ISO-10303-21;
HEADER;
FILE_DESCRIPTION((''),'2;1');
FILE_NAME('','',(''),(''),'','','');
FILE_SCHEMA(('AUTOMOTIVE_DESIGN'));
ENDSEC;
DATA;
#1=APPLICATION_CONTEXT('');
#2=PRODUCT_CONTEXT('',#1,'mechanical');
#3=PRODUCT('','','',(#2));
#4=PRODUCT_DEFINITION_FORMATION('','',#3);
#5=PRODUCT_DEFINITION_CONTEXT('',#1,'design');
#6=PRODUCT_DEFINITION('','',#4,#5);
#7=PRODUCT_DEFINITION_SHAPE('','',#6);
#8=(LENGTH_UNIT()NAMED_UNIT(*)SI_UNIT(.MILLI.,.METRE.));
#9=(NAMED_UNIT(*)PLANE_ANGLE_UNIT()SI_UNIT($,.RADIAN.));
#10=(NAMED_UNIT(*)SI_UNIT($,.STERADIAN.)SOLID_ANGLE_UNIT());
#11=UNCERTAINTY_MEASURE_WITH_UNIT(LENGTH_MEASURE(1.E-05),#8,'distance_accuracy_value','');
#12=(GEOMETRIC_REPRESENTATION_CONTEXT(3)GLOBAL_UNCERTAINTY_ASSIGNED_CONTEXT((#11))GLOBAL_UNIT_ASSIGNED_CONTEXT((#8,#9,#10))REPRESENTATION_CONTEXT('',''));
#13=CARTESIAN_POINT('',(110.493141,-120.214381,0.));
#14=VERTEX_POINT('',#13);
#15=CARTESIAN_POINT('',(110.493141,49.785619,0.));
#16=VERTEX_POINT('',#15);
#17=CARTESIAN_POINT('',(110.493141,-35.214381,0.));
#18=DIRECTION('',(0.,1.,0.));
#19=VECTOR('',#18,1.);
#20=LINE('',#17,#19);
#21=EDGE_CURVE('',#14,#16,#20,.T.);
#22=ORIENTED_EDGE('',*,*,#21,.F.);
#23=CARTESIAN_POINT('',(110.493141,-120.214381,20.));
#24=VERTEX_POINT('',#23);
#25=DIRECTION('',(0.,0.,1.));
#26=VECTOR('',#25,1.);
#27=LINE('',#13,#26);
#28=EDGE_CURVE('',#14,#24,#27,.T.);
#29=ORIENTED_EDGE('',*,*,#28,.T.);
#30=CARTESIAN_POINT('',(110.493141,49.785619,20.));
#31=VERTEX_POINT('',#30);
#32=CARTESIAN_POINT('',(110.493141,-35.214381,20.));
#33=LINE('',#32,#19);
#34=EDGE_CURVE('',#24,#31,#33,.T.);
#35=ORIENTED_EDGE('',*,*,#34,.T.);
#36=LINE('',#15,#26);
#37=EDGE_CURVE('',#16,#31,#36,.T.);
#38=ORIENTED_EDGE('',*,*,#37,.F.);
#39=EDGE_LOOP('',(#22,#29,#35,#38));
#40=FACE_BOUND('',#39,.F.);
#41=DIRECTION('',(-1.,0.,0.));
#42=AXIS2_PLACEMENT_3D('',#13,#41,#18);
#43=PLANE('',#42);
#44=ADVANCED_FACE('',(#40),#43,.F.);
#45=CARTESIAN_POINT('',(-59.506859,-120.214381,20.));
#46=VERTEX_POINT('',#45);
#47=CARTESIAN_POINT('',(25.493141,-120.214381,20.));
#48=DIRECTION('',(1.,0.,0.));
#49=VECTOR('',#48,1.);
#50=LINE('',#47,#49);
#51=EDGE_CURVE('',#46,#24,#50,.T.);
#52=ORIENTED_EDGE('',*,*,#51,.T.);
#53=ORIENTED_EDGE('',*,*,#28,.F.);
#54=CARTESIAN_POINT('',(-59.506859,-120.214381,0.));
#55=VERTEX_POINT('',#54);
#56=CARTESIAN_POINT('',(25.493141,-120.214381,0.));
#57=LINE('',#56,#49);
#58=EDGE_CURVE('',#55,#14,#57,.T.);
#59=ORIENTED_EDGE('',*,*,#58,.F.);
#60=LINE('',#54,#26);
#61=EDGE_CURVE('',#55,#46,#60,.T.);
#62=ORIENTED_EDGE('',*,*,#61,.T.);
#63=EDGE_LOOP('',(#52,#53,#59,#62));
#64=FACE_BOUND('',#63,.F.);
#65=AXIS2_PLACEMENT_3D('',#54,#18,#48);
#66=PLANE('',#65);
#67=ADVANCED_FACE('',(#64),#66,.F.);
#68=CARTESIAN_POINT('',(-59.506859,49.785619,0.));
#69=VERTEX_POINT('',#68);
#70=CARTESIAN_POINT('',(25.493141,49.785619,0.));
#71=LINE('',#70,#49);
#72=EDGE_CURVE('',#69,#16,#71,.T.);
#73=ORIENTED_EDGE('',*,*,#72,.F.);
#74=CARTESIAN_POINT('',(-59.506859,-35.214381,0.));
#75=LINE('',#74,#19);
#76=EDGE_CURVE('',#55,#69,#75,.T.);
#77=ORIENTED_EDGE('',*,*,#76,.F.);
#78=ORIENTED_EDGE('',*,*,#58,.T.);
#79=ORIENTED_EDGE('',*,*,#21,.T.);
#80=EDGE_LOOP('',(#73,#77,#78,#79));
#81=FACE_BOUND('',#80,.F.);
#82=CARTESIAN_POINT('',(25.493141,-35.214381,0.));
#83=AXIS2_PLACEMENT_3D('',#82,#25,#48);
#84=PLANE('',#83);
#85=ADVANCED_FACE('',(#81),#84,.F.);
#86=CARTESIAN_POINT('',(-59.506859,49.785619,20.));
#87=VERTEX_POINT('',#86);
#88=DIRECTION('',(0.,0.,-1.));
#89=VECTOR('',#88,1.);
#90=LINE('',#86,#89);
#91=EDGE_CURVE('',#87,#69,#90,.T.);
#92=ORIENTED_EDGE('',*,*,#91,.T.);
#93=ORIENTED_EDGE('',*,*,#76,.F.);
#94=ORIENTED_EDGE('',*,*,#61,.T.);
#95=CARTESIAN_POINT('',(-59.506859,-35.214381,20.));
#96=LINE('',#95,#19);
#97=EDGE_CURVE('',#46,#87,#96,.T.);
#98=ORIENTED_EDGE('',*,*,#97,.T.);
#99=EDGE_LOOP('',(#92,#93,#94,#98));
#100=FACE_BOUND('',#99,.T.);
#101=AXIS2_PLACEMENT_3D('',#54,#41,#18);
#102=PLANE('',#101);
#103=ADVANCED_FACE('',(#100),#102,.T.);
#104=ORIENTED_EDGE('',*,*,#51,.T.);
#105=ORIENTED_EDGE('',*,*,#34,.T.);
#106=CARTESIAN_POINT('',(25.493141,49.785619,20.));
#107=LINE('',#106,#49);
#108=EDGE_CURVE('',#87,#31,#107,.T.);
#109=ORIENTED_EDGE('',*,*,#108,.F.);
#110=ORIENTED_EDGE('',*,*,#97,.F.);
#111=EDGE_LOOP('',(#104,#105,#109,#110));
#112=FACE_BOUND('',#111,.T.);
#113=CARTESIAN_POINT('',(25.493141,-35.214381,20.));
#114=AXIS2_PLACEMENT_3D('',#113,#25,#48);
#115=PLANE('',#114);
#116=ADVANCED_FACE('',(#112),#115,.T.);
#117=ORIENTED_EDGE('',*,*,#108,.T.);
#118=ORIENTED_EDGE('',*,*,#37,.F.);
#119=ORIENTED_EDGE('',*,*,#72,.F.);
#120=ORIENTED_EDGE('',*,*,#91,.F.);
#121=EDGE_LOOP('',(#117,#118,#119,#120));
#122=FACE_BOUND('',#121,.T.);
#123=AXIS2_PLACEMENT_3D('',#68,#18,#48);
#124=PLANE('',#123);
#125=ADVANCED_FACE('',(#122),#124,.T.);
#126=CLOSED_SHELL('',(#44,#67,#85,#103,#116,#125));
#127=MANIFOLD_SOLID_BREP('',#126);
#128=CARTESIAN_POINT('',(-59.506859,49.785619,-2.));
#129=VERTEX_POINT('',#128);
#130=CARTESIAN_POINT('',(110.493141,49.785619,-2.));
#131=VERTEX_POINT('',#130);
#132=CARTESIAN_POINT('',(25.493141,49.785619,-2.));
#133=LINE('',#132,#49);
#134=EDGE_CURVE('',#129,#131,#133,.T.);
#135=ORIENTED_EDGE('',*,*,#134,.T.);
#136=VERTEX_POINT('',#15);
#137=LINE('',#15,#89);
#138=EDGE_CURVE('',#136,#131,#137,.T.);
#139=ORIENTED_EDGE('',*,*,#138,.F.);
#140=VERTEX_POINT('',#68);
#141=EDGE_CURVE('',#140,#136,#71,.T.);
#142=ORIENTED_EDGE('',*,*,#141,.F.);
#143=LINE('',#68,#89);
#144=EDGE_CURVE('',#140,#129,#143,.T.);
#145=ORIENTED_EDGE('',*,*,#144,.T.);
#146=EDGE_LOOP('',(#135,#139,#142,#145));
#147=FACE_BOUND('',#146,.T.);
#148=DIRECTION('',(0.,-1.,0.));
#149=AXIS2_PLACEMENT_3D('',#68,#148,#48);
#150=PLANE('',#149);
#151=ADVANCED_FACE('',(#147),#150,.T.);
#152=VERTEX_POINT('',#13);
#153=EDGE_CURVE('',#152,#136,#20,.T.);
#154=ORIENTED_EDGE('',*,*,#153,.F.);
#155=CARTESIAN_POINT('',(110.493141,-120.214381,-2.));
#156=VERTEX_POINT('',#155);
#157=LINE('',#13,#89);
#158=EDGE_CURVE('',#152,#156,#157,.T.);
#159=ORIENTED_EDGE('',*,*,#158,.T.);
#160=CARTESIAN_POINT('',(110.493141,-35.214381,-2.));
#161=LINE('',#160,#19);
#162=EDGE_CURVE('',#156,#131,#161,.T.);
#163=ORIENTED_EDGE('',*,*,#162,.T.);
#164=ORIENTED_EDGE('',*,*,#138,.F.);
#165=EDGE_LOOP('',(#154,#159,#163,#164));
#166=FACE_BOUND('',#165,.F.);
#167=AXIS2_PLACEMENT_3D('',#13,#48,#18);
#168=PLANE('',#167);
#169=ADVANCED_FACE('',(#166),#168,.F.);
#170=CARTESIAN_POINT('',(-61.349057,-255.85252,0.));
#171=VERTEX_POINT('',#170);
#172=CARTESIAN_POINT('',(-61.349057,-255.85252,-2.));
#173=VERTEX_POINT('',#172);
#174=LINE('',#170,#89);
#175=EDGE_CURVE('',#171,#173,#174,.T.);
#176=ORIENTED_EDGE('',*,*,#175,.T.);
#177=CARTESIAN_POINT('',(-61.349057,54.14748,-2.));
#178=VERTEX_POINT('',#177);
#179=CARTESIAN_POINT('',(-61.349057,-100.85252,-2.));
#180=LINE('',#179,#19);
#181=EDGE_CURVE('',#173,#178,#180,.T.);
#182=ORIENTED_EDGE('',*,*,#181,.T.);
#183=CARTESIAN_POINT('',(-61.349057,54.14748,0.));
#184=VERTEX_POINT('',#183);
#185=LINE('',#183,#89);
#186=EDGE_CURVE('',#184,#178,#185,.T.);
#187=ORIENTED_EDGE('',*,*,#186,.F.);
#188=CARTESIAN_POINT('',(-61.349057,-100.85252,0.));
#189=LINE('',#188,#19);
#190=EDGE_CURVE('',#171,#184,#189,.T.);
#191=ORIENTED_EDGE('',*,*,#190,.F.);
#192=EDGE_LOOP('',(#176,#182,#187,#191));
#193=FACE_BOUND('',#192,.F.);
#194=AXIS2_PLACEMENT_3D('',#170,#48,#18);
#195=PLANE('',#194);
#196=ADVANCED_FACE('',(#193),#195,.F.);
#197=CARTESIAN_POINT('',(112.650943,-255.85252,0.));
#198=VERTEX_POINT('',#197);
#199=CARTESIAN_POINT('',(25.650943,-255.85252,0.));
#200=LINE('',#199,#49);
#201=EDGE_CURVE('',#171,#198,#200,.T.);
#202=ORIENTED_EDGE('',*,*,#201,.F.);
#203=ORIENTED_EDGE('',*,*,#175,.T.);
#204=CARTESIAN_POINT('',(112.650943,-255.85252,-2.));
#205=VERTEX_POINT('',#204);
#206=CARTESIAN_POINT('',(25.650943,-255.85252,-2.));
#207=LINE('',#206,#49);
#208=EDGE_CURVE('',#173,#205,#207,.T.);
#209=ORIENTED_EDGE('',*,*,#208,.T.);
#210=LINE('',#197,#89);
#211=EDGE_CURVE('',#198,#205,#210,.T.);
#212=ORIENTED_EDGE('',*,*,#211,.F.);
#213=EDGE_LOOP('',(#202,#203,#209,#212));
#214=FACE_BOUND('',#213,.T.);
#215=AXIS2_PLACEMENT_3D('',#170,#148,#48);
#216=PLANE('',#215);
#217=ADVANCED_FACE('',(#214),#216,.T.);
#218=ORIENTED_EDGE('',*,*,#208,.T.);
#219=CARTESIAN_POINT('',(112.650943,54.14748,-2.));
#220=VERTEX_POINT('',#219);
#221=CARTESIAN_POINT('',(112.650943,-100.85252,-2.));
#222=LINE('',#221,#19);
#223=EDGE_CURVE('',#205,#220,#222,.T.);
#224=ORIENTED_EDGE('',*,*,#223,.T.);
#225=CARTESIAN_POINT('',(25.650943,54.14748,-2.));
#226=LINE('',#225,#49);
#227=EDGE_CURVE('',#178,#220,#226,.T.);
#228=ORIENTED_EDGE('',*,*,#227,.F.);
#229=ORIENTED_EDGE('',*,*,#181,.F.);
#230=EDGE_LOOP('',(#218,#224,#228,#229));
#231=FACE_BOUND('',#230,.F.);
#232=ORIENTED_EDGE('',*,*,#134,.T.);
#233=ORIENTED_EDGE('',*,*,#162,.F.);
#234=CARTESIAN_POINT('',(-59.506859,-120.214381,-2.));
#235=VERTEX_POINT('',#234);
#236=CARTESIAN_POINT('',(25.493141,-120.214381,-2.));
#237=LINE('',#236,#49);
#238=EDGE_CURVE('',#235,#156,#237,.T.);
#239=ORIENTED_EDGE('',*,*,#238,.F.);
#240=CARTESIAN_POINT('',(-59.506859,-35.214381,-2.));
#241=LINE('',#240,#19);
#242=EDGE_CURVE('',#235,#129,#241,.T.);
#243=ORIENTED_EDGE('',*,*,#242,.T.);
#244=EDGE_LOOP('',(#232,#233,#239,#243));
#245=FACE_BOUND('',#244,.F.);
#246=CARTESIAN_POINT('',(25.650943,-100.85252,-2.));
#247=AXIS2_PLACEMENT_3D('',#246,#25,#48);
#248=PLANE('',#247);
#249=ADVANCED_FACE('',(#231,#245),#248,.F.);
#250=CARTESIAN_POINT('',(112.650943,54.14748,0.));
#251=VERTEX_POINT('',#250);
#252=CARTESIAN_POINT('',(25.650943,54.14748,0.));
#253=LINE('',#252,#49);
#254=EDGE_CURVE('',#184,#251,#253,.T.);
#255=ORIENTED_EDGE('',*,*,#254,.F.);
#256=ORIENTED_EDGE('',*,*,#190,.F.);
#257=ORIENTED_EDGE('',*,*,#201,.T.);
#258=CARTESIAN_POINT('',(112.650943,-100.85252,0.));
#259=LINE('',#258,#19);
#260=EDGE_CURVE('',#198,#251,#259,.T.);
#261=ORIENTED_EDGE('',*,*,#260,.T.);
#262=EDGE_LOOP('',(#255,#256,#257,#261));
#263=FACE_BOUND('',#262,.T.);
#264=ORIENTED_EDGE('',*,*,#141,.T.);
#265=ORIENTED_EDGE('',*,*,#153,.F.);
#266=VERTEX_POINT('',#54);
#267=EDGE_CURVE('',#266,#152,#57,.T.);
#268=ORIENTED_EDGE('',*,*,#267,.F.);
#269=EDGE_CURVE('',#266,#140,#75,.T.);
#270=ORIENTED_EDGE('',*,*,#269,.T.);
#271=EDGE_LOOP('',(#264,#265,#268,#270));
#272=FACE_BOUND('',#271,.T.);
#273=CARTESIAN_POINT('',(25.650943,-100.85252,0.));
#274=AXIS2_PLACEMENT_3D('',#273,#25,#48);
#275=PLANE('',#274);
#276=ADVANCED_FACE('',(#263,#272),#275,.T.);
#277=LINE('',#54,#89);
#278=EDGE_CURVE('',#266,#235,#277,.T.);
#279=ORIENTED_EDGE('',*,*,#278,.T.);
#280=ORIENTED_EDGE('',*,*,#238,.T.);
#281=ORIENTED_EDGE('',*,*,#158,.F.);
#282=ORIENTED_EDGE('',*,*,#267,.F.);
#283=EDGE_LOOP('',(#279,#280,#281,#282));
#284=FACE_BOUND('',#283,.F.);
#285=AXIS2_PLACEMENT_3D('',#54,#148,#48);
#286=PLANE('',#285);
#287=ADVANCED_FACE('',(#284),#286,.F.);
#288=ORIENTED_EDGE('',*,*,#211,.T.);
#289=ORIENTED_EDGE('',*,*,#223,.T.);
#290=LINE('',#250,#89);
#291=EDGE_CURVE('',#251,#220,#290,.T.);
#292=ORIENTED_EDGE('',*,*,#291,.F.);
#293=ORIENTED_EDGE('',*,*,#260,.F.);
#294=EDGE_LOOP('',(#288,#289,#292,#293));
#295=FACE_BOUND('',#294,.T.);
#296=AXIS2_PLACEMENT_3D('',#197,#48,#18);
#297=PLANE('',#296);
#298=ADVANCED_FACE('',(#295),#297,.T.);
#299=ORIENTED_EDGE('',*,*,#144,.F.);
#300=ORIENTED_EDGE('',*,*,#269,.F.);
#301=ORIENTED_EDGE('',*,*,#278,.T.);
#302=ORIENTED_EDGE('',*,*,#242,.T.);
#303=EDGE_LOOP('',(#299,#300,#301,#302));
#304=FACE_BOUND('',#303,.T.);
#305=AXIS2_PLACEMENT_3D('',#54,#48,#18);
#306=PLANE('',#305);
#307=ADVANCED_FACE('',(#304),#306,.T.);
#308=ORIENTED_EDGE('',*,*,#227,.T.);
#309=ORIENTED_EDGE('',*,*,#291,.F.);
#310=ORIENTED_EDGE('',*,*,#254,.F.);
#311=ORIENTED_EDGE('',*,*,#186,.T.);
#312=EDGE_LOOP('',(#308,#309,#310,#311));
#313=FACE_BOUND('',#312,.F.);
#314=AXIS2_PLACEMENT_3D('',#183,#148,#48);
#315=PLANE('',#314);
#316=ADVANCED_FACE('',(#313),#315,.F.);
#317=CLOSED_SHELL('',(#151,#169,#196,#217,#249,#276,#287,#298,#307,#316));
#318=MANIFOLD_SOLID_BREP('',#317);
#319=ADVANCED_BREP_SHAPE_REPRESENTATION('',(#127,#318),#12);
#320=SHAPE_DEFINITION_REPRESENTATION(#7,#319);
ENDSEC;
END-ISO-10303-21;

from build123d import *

# Parameters (mm, degrees)
F0_W      = 170
F0_H      = 170
F2_DEPTH  = 20
F3_W      = 174
F3_H      = 310
F3_W_2    = 170
F3_H_2    = 170
F2_FACE_W = 170
F2_FACE_H = 170
F4_DEPTH  = 2


with BuildPart() as f2:
    # F0 (on Top) → F2 (new body)
    with BuildSketch(Plane.XY):
        with Locations((25.4931412637, -35.2143808823)):
            Rectangle(F0_W, F0_H)
    extrude(amount=F2_DEPTH)

    # F3 (on face) + F2_face (on face) → F4 (join)
    with BuildSketch(Plane.XY):
        with Locations((25.6509433389, -100.8525204659)):
            Rectangle(F3_W, F3_H)
        with Locations((25.4931412637, -35.2143808823)):
            Rectangle(F3_W_2, F3_H_2, mode=Mode.SUBTRACT)
    with BuildSketch(Plane(origin=(25.4931412637, -35.2143808823, 20), x_dir=(1, 0, 0), z_dir=(0, 0, 1))):
        Rectangle(F2_FACE_W, F2_FACE_H)
    extrude(amount=-F4_DEPTH)


solid = f2.part
